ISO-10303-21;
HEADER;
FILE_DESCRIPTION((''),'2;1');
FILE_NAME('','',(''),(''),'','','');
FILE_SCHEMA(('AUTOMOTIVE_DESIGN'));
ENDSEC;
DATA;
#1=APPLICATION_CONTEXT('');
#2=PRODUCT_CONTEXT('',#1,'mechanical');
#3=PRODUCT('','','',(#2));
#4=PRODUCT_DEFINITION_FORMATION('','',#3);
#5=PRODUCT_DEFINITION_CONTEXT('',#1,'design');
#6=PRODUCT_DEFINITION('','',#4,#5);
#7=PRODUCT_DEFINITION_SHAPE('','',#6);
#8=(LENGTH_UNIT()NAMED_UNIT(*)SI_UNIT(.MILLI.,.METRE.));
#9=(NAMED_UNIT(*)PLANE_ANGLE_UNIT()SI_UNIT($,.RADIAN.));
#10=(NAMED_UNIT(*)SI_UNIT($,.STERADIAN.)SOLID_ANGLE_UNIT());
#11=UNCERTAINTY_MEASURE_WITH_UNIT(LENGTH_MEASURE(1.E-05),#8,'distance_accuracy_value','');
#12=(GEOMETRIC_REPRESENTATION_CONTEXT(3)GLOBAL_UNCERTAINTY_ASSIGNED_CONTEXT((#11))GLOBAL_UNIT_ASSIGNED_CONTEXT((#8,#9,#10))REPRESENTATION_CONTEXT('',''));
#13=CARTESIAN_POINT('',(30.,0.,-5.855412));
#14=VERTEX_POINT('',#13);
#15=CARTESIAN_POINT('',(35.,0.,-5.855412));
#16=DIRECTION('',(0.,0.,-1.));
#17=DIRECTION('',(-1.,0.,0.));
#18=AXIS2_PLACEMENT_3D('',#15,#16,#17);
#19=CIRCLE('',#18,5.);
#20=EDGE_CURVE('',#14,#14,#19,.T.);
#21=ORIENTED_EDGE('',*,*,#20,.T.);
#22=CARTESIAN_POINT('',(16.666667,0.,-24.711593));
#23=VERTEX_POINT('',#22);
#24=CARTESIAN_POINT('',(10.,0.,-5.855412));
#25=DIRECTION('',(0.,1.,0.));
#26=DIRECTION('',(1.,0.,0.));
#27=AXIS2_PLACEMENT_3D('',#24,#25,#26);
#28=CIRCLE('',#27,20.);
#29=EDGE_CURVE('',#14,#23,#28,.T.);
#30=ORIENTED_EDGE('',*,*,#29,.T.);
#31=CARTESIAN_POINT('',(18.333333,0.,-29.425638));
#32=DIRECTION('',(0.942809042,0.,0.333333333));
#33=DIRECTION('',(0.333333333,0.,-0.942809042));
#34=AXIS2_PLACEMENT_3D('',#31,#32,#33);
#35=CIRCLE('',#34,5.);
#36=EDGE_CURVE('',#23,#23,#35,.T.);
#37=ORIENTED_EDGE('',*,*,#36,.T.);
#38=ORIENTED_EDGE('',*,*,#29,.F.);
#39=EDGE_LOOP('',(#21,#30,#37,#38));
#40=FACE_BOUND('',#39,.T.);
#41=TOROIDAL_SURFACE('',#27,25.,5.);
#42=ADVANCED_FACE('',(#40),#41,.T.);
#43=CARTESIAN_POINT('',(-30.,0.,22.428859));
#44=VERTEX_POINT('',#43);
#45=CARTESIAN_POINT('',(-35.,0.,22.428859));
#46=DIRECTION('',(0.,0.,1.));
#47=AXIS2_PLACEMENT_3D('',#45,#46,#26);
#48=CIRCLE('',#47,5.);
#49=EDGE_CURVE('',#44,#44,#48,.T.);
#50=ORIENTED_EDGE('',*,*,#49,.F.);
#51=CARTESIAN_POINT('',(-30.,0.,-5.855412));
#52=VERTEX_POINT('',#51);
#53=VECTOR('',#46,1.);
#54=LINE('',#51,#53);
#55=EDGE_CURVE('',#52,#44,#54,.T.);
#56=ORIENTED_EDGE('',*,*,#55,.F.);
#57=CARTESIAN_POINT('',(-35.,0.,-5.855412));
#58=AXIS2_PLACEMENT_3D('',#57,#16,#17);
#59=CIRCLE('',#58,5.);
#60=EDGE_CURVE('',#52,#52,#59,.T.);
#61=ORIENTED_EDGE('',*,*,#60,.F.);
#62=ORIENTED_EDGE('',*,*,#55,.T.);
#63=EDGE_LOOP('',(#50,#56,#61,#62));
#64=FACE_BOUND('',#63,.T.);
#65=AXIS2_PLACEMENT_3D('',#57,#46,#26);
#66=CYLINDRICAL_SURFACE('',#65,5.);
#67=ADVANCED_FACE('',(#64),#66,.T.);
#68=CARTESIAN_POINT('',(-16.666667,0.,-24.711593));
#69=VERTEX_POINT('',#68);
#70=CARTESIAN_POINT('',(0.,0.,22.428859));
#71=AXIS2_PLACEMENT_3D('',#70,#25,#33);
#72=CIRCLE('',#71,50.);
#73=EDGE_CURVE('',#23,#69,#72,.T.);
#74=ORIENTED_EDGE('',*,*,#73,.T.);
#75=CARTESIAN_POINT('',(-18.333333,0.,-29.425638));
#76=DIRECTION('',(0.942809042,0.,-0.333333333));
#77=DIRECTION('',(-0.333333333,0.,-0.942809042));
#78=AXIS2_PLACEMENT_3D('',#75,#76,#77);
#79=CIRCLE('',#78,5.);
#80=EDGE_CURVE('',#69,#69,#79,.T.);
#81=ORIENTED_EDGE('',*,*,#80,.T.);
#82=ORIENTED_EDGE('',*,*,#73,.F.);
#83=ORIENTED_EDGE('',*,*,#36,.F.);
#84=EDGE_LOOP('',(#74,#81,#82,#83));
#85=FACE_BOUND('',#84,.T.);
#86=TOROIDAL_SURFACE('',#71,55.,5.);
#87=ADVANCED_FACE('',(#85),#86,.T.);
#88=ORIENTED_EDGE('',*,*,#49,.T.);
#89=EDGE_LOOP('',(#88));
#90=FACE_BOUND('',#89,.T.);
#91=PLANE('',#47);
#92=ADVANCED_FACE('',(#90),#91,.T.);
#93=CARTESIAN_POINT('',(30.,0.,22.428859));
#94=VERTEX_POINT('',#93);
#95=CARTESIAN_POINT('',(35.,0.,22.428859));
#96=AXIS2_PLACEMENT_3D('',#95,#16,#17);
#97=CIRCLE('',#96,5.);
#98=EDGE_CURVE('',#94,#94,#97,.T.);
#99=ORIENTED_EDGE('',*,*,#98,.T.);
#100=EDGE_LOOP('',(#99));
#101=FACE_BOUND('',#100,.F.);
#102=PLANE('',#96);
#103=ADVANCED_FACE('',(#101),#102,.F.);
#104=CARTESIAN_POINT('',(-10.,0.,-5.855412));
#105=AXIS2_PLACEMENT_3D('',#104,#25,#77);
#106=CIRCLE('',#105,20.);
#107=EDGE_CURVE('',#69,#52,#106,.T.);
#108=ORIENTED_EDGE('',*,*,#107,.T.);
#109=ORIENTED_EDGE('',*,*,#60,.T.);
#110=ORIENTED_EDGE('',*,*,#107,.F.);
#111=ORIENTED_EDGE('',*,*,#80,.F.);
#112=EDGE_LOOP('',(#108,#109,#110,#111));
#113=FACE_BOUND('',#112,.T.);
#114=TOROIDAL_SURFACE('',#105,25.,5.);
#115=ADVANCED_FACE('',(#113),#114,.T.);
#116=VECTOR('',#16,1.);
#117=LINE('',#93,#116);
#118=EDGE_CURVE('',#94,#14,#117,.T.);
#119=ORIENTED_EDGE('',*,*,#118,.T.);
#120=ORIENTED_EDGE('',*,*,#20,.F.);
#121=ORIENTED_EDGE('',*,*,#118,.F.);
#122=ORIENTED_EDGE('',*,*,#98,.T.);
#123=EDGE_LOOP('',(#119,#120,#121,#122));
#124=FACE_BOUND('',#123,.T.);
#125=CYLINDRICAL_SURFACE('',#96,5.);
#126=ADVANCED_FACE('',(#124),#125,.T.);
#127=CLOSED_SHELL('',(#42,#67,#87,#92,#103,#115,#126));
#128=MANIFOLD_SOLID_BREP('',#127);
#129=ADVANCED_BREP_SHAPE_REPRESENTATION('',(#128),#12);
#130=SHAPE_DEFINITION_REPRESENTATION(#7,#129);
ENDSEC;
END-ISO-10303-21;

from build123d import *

# Parameters (mm, degrees)
F2_R = 5


with BuildPart() as f3:
    # F3: sweep along a path in F0
    with BuildLine(Plane.XZ) as f3_path:
        Line((35, 22.4288592663), (35, -5.8554119812))
        ThreePointArc((35, -5.8554119812), (30.4124145232, -20.2891687109), (18.3333333333, -29.4256380207))
        ThreePointArc((18.3333333333, -29.4256380207), (0, -32.5711407337), (-18.3333333333, -29.4256380207))
        ThreePointArc((-18.3333333333, -29.4256380207), (-30.4124145232, -20.2891687109), (-35, -5.8554119812))
        Line((-35, -5.8554119812), (-35, 22.4288592663))
    # F2 (on plane+point) → F3 (sweep)
    with BuildSketch(Plane.XY.offset(22.4288592663)):
        with Locations((-35, 0)):
            Circle(F2_R)
    sweep(path=f3_path.line)


solid = f3.part
